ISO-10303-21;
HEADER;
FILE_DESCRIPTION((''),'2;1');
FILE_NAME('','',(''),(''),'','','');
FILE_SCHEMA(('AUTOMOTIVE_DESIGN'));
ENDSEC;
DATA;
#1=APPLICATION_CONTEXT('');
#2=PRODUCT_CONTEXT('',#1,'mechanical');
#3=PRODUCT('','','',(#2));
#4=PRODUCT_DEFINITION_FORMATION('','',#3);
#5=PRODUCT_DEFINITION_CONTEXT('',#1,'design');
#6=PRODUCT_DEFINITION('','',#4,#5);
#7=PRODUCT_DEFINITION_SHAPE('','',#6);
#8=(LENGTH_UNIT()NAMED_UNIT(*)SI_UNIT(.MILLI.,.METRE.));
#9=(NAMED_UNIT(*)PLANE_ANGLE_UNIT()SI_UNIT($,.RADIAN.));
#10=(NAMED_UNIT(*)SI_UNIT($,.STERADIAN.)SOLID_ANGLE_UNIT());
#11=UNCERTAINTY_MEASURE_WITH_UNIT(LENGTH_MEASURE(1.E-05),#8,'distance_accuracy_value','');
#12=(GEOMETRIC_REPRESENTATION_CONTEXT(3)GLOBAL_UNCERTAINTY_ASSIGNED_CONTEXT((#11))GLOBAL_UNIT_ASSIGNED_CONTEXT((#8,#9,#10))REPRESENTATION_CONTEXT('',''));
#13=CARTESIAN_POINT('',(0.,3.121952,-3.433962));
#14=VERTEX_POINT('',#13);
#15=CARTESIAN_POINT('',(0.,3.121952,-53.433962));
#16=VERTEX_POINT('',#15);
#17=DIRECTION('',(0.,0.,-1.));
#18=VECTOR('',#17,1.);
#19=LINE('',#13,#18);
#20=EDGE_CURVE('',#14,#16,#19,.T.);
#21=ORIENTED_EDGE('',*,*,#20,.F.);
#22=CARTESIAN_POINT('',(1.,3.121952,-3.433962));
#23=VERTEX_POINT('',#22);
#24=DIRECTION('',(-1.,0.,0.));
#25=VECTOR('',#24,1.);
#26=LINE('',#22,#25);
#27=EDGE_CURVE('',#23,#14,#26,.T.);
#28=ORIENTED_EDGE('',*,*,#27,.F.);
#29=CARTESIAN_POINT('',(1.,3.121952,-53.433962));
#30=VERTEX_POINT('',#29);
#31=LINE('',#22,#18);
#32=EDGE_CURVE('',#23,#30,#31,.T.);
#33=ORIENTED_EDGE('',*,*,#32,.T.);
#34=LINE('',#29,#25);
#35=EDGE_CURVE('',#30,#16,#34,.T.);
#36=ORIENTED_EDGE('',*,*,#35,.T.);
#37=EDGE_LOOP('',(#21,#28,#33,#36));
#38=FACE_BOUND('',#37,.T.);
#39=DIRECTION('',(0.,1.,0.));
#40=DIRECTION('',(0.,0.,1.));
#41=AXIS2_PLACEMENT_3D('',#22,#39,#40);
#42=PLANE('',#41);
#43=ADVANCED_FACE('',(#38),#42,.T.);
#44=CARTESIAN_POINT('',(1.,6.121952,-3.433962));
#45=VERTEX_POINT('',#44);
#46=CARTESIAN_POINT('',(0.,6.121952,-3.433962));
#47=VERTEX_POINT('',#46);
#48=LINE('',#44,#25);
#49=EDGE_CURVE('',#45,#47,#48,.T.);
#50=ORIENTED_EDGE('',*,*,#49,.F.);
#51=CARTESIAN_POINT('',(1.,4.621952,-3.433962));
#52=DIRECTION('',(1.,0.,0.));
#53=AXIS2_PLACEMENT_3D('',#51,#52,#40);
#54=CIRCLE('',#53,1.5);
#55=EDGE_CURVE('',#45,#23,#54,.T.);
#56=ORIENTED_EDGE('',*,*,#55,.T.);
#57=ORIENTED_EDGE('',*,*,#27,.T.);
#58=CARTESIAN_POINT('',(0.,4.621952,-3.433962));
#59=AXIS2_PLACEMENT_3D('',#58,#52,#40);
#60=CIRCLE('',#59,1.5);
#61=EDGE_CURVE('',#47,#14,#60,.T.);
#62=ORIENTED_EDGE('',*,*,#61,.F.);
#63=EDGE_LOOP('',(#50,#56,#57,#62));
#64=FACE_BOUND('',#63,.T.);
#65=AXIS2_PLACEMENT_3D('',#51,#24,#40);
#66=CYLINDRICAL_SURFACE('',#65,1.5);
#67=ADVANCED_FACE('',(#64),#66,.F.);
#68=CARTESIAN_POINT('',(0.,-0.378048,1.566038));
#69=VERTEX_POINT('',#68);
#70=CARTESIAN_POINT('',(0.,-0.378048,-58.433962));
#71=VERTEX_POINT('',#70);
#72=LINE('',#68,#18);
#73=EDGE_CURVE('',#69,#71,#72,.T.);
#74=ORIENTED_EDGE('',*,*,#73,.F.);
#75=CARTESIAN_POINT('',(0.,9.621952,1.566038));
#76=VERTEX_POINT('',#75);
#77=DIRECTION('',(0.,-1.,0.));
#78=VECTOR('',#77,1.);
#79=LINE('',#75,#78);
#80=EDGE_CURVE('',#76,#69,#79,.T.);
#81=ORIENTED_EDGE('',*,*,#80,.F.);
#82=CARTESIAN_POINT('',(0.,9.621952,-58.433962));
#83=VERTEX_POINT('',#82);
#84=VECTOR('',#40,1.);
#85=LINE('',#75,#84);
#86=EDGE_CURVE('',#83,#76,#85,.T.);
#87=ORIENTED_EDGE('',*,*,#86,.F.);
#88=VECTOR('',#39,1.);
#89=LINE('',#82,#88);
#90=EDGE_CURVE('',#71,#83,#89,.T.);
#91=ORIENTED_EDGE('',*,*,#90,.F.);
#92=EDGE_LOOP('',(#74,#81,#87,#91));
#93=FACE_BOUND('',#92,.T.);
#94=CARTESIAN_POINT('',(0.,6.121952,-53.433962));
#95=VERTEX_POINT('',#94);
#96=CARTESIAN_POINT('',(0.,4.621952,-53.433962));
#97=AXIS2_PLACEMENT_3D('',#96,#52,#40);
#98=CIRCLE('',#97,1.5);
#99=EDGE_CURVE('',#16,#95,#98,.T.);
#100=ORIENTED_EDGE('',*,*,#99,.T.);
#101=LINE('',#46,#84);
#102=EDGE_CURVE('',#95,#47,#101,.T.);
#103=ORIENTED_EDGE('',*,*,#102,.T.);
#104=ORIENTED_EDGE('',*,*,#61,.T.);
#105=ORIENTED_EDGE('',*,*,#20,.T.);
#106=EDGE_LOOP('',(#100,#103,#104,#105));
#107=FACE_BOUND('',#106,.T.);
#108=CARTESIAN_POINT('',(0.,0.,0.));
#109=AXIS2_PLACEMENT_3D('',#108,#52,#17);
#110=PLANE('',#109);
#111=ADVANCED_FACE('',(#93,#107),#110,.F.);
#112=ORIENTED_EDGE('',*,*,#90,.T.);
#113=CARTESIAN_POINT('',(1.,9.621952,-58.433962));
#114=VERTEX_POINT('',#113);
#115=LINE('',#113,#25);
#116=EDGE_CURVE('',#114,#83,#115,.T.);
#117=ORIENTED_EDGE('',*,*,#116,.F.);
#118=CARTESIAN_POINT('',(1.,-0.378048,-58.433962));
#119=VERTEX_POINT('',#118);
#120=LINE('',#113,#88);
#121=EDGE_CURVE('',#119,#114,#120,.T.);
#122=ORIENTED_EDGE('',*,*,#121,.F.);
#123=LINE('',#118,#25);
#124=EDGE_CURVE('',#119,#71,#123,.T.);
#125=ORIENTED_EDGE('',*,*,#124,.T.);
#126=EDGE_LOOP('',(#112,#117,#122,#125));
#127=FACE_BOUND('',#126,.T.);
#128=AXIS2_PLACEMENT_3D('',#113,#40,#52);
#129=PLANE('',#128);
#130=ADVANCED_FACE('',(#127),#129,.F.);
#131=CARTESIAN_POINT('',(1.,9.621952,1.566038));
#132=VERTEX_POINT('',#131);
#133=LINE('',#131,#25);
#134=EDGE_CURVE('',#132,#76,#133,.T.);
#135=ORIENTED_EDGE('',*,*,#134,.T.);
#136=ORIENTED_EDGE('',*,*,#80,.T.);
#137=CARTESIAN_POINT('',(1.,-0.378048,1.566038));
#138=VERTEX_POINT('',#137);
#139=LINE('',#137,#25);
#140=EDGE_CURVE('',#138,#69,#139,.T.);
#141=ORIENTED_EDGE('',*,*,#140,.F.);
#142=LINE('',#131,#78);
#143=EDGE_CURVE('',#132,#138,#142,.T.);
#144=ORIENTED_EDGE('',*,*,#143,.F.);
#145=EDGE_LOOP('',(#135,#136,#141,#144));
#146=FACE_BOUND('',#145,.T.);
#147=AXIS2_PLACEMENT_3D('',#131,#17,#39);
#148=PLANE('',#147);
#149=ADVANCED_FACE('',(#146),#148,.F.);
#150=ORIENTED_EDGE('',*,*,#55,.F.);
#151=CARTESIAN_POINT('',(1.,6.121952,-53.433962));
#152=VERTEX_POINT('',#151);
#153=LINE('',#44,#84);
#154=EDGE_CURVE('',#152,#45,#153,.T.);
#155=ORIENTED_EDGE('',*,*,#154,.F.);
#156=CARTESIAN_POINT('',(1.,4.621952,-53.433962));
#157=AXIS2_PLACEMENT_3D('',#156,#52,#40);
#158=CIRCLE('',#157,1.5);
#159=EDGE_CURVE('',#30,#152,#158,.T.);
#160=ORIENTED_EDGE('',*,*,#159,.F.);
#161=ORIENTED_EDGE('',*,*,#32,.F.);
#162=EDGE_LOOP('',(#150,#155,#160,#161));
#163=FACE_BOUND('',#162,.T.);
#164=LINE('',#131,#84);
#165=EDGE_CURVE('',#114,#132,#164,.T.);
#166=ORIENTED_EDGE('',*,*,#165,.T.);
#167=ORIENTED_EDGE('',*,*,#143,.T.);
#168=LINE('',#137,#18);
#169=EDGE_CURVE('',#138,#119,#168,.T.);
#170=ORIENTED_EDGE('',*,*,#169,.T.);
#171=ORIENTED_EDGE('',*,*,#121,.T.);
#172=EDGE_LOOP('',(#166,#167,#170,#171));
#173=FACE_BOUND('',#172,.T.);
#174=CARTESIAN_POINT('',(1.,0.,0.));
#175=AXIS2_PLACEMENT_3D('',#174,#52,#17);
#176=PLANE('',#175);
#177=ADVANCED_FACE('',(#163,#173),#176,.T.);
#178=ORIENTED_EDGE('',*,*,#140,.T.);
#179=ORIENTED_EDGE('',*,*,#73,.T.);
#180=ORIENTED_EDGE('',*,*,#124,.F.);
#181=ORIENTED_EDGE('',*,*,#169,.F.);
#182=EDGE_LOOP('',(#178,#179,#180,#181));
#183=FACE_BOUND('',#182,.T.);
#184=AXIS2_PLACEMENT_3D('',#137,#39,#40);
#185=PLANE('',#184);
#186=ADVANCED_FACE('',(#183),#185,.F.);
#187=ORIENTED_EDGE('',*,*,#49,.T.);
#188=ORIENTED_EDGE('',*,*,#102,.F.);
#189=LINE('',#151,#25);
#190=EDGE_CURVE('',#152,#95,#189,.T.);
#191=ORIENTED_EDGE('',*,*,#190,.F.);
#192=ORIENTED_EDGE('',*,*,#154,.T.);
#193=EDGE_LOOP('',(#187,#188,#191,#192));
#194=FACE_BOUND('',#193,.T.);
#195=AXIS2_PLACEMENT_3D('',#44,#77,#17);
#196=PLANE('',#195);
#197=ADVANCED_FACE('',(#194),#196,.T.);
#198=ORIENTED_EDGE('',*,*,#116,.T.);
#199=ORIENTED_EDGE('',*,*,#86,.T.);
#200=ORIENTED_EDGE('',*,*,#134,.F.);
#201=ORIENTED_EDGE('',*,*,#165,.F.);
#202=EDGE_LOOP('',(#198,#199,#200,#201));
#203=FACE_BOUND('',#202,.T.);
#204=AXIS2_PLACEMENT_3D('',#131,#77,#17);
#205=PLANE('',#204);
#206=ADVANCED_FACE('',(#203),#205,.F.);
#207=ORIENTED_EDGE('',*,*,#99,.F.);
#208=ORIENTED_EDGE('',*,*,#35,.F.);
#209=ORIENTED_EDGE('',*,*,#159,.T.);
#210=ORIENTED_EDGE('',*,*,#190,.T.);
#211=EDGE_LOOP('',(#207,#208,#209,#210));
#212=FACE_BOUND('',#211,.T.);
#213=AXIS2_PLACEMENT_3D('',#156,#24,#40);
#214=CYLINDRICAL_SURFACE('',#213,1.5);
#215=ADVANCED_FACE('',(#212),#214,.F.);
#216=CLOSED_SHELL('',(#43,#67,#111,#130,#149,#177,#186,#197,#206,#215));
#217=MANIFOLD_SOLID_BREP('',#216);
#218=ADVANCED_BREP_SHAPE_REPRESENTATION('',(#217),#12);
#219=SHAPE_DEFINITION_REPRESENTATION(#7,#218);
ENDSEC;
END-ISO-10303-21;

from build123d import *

# Parameters (mm, degrees)
SKETCH_1_W      = 60
SKETCH_1_H      = 10
EXTRUDE_1_DEPTH = 1


with BuildPart() as part:
    # 草图1 → 凸台-拉伸1 (new body)
    with BuildSketch(Plane(origin=(0, 0, 0), x_dir=(0, 0, -1), z_dir=(1, 0, 0))):
        with Locations((28.433962264, 4.621952123)):
            Rectangle(SKETCH_1_W, SKETCH_1_H)
        with BuildLine():
            Line((3.433962264, 6.121952123), (53.433962264, 6.121952123))
            ThreePointArc((53.433962264, 6.121952123), (54.933962264, 4.621952123), (53.433962264, 3.121952123))
            Line((53.433962264, 3.121952123), (3.433962264, 3.121952123))
            ThreePointArc((3.433962264, 3.121952123), (1.933962264, 4.621952123), (3.433962264, 6.121952123))
        make_face(mode=Mode.SUBTRACT)
    extrude(amount=EXTRUDE_1_DEPTH)


solid = part.part
